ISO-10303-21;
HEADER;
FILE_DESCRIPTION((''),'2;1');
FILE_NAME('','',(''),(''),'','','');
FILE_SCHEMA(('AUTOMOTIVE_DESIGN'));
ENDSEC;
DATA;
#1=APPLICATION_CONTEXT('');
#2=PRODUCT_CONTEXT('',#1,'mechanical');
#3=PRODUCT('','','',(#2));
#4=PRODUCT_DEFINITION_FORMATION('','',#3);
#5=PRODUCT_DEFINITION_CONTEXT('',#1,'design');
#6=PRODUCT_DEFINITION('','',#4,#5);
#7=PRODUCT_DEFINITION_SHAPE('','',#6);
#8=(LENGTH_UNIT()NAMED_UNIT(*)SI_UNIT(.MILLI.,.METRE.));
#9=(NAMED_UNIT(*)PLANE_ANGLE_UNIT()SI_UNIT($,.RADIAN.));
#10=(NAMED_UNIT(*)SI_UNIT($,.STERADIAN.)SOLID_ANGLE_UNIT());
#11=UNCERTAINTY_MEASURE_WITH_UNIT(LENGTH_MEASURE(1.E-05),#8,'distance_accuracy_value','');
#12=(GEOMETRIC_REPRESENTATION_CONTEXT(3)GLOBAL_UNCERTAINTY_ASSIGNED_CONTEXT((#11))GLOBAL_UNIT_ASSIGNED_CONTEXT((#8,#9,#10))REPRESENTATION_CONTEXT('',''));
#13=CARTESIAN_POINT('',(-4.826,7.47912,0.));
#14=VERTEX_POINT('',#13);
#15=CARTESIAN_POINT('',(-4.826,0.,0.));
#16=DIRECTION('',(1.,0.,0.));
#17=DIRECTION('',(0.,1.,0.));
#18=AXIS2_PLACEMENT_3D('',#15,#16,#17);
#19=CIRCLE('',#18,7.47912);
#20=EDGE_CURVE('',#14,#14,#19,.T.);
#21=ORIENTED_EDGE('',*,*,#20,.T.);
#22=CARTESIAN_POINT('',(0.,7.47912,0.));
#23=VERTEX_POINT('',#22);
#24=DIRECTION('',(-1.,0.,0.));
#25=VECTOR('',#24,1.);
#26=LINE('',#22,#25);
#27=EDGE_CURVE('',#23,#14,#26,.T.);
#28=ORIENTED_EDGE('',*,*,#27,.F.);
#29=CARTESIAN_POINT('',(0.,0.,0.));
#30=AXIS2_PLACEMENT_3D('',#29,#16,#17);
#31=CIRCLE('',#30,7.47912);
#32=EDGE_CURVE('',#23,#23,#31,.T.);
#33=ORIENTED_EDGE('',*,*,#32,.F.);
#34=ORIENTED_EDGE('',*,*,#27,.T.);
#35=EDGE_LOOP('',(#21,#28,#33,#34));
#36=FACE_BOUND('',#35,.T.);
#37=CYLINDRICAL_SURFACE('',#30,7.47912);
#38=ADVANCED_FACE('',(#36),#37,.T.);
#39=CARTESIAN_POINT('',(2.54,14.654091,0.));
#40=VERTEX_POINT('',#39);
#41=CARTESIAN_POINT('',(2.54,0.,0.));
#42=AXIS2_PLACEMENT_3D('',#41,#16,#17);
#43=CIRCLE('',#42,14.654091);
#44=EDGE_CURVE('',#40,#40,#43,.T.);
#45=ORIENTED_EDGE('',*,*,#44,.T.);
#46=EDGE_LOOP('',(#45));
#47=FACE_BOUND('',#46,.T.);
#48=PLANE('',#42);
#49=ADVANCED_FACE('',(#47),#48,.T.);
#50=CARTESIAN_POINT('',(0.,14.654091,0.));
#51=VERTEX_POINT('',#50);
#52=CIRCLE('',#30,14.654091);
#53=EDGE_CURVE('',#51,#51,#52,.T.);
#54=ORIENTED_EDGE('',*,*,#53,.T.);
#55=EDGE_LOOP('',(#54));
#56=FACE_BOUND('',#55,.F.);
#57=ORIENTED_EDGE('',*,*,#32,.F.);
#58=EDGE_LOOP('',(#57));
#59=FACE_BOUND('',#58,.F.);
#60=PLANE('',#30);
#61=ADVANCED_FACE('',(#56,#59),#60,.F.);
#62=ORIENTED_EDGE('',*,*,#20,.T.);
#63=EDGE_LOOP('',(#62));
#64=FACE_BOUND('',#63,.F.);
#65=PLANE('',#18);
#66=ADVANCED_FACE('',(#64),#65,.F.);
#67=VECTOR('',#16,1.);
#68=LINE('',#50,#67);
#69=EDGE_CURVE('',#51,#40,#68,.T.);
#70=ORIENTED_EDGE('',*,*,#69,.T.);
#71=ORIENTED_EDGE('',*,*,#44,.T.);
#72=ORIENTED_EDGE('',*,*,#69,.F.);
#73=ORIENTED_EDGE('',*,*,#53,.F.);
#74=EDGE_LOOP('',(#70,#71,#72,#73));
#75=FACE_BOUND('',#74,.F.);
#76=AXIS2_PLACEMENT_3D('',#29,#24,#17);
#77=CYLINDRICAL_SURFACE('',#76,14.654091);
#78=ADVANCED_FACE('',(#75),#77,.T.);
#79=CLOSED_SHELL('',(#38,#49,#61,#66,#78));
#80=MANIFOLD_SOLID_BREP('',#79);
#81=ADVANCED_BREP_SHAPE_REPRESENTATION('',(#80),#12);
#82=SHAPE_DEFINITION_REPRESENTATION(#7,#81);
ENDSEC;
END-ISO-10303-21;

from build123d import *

# Parameters (mm, degrees)
F0_R     = 14.654091
F1_DEPTH = 2.54
F2_R     = 7.47912
F3_DEPTH = 4.826


with BuildPart() as f1:
    # F0 (on Right) → F1 (new body)
    with BuildSketch(Plane.YZ):
        Circle(F0_R)
    extrude(amount=F1_DEPTH)

    # F2 (on Right) → F3 (join)
    with BuildSketch(Plane.YZ):
        Circle(F2_R)
    extrude(amount=-F3_DEPTH)


solid = f1.part
